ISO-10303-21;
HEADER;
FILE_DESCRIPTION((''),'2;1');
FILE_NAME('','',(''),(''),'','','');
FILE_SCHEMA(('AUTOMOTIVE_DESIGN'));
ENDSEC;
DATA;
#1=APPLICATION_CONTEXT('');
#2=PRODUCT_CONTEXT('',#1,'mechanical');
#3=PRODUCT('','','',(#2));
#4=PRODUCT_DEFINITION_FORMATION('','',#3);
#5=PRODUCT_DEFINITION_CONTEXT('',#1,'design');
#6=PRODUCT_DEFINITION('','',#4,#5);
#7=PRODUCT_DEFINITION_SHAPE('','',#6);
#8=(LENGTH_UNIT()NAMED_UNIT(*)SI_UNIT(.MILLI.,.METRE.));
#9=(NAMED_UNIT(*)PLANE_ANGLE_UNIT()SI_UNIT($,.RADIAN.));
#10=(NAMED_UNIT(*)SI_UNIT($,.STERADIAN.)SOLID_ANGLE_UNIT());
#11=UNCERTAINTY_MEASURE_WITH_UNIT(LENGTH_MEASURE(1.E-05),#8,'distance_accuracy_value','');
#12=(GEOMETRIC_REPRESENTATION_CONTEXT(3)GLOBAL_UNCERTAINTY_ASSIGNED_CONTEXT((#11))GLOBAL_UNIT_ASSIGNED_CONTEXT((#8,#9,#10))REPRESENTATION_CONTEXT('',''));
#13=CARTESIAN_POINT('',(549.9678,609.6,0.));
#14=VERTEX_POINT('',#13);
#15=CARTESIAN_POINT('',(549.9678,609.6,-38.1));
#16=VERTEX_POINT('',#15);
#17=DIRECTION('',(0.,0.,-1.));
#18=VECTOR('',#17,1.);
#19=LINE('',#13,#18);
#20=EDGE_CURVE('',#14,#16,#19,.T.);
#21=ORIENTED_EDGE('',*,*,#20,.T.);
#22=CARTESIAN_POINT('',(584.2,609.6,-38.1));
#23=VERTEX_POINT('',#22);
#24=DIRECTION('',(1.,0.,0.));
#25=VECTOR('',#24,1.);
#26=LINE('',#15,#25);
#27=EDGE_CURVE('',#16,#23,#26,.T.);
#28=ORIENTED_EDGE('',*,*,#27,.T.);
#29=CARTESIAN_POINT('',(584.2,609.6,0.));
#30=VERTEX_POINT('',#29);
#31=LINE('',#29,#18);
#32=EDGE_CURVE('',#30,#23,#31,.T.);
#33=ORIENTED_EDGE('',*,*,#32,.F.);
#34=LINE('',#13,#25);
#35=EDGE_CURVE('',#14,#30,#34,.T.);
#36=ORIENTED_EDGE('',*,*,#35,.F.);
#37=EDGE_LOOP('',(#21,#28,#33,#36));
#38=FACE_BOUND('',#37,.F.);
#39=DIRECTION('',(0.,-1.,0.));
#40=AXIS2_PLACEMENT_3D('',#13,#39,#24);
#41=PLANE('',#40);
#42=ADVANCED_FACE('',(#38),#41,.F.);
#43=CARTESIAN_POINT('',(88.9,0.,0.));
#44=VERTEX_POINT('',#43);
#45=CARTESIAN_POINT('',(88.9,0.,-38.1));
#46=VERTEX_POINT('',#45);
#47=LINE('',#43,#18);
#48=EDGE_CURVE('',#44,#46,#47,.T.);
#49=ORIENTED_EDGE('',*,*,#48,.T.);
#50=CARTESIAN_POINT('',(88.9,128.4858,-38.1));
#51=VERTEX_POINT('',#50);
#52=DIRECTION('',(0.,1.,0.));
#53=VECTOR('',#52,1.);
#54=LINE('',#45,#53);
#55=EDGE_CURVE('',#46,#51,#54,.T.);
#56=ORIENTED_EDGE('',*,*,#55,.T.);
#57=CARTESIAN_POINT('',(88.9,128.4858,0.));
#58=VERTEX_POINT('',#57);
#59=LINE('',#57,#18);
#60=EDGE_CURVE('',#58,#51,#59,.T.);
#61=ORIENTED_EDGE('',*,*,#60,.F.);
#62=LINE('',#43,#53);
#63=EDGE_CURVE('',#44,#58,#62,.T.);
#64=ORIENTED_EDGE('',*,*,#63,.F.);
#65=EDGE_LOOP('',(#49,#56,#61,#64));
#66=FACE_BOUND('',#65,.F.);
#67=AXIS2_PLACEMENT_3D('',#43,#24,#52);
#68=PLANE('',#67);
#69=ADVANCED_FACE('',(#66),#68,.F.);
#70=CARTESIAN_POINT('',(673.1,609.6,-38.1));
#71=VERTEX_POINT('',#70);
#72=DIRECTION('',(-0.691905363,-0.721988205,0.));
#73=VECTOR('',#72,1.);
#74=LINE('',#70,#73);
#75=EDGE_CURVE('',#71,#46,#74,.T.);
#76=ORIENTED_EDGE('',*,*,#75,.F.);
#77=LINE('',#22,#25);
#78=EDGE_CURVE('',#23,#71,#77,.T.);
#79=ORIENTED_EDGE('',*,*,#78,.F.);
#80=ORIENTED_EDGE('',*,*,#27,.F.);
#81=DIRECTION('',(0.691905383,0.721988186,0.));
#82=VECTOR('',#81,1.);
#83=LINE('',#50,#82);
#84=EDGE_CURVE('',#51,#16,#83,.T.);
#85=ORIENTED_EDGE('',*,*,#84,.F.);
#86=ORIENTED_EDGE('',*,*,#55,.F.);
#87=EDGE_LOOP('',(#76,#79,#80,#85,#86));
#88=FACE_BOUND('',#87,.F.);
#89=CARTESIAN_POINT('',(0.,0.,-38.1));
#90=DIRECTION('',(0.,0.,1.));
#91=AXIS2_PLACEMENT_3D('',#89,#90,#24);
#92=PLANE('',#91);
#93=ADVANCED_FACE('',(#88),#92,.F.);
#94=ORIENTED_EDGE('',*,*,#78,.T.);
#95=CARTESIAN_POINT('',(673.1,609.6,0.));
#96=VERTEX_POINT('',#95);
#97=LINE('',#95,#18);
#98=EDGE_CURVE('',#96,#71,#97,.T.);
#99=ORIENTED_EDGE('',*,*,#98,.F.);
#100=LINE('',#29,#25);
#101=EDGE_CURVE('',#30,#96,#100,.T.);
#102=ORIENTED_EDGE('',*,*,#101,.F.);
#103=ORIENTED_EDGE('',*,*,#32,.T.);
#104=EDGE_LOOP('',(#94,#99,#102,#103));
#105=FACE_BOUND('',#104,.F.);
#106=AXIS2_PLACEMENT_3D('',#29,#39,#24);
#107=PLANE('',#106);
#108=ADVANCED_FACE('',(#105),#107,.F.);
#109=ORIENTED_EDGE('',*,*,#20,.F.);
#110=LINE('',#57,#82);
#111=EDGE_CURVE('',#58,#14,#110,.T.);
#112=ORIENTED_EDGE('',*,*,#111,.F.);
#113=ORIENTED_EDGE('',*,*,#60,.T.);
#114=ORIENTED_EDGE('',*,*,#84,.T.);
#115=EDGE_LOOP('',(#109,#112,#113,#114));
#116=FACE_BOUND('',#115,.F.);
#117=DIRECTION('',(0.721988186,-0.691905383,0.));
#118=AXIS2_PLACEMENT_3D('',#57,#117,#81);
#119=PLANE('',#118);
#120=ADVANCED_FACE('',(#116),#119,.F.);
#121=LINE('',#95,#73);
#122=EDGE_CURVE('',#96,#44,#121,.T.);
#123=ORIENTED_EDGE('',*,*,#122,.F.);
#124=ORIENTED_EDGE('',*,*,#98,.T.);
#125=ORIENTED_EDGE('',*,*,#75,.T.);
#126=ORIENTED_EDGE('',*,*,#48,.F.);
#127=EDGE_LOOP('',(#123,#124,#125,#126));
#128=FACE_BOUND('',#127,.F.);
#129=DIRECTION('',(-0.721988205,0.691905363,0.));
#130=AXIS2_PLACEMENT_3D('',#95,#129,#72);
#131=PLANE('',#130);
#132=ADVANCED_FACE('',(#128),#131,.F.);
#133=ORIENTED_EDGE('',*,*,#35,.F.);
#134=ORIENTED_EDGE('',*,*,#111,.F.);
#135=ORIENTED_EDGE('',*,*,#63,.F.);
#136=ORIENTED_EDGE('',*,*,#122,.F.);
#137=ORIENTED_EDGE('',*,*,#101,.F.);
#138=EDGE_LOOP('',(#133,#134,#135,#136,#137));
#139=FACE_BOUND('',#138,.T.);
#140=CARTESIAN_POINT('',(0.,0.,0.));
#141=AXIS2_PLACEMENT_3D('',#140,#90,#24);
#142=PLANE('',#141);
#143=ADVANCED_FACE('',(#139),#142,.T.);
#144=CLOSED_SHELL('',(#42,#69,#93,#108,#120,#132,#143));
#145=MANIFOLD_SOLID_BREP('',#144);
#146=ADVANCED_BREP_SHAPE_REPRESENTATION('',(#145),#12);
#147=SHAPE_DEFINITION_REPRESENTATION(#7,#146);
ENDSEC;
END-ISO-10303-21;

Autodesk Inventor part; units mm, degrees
ref_plane "YZ Plane" through (0, 0, 0) normal (1, 0, 0) x (0, 1, 0)
ref_plane "XZ Plane" through (0, 0, 0) normal (0, 1, 0) x (-1, 0, 0)
ref_plane "XY Plane" through (0, 0, 0) normal (0, 0, 1) x (1, 0, 0)
sketch "Sketch1" plane through (0, 0, 0) normal (0, 0, 1) x (1, 0, 0)
  line L0 (584.2, 1219.2) -> (673.1, 1219.2) projected
  line L1 (88.9, 0) -> (88.9, 1219.2) projected
  line L2 (584.2, 1219.2) -> (-457.2, 1219.2) projected
  line L3 (673.1, 1219.2) -> (673.1, 609.6)
  line L4 (584.2, 609.6) -> (584.2, 1219.2)
  line L5 (584.2, 1219.2) -> (673.1, 1219.2)
  line L6 (673.1, 609.6) -> (88.9, 0)
  line L7 (88.9, 0) -> (88.9, 128.4858)
  line L8 (88.9, 128.4858) -> (549.9678, 609.6)
  line L9 (549.9678, 609.6) -> (584.2, 609.6)
  line L10 (584.2, 609.6) -> (673.1, 609.6)
  point P0 (0, 0)
extrude "Extrusion1" add sketch "Sketch1" against normal blind 38.1 contours L10 L6 L1 L8 L9
properties part number "S_2x4x33.242"
